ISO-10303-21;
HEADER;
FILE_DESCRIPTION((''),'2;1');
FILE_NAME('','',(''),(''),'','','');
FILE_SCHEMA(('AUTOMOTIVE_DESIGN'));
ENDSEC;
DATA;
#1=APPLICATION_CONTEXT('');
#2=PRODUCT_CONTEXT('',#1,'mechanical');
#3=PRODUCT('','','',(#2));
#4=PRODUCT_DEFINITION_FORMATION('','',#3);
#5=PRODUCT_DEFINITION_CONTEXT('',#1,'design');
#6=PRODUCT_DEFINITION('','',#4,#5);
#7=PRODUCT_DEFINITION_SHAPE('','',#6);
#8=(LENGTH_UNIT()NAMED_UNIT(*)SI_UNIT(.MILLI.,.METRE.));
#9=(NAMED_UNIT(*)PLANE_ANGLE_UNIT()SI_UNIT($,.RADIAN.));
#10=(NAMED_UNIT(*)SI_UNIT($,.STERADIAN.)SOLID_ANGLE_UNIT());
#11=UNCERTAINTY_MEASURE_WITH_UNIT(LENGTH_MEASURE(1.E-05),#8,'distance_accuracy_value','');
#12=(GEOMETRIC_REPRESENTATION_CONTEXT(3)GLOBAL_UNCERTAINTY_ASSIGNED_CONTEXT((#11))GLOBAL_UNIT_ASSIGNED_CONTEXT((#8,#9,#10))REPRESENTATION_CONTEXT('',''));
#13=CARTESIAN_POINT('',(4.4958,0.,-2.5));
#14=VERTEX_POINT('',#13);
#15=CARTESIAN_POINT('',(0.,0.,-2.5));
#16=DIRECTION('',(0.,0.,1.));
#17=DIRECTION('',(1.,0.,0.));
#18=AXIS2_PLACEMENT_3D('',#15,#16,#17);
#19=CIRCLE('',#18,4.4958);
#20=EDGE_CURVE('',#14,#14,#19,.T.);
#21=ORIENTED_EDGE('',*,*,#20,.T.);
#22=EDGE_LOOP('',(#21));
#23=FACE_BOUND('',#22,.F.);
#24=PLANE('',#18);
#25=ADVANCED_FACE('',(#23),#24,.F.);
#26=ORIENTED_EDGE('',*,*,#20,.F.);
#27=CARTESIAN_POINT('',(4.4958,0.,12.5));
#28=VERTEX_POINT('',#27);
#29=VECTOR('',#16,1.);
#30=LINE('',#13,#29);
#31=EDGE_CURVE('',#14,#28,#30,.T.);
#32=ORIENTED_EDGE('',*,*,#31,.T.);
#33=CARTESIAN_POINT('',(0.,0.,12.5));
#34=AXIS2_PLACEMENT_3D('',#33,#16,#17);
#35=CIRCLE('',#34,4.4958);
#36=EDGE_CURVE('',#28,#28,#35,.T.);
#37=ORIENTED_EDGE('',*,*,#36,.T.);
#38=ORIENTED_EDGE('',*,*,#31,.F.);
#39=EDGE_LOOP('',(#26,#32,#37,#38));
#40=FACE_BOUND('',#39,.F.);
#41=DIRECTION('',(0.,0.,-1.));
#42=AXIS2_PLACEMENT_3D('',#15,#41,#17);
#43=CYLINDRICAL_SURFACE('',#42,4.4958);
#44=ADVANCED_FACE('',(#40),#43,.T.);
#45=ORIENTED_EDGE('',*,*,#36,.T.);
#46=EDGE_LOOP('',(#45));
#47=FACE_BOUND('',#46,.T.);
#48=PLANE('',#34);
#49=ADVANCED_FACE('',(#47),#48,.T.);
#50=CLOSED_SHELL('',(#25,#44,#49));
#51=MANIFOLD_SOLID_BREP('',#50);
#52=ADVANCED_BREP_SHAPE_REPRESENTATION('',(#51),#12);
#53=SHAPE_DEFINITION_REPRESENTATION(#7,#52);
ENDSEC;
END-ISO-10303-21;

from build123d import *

# Parameters (mm, degrees)
CYLINDER_R     = 4.4958
CYLINDER_DEPTH = 15


with BuildPart() as part:
    # Cylinder → Cylinder (new body)
    with BuildSketch(Plane.XY.offset(-2.5)):
        Circle(CYLINDER_R)
    extrude(amount=CYLINDER_DEPTH)


solid = part.part
